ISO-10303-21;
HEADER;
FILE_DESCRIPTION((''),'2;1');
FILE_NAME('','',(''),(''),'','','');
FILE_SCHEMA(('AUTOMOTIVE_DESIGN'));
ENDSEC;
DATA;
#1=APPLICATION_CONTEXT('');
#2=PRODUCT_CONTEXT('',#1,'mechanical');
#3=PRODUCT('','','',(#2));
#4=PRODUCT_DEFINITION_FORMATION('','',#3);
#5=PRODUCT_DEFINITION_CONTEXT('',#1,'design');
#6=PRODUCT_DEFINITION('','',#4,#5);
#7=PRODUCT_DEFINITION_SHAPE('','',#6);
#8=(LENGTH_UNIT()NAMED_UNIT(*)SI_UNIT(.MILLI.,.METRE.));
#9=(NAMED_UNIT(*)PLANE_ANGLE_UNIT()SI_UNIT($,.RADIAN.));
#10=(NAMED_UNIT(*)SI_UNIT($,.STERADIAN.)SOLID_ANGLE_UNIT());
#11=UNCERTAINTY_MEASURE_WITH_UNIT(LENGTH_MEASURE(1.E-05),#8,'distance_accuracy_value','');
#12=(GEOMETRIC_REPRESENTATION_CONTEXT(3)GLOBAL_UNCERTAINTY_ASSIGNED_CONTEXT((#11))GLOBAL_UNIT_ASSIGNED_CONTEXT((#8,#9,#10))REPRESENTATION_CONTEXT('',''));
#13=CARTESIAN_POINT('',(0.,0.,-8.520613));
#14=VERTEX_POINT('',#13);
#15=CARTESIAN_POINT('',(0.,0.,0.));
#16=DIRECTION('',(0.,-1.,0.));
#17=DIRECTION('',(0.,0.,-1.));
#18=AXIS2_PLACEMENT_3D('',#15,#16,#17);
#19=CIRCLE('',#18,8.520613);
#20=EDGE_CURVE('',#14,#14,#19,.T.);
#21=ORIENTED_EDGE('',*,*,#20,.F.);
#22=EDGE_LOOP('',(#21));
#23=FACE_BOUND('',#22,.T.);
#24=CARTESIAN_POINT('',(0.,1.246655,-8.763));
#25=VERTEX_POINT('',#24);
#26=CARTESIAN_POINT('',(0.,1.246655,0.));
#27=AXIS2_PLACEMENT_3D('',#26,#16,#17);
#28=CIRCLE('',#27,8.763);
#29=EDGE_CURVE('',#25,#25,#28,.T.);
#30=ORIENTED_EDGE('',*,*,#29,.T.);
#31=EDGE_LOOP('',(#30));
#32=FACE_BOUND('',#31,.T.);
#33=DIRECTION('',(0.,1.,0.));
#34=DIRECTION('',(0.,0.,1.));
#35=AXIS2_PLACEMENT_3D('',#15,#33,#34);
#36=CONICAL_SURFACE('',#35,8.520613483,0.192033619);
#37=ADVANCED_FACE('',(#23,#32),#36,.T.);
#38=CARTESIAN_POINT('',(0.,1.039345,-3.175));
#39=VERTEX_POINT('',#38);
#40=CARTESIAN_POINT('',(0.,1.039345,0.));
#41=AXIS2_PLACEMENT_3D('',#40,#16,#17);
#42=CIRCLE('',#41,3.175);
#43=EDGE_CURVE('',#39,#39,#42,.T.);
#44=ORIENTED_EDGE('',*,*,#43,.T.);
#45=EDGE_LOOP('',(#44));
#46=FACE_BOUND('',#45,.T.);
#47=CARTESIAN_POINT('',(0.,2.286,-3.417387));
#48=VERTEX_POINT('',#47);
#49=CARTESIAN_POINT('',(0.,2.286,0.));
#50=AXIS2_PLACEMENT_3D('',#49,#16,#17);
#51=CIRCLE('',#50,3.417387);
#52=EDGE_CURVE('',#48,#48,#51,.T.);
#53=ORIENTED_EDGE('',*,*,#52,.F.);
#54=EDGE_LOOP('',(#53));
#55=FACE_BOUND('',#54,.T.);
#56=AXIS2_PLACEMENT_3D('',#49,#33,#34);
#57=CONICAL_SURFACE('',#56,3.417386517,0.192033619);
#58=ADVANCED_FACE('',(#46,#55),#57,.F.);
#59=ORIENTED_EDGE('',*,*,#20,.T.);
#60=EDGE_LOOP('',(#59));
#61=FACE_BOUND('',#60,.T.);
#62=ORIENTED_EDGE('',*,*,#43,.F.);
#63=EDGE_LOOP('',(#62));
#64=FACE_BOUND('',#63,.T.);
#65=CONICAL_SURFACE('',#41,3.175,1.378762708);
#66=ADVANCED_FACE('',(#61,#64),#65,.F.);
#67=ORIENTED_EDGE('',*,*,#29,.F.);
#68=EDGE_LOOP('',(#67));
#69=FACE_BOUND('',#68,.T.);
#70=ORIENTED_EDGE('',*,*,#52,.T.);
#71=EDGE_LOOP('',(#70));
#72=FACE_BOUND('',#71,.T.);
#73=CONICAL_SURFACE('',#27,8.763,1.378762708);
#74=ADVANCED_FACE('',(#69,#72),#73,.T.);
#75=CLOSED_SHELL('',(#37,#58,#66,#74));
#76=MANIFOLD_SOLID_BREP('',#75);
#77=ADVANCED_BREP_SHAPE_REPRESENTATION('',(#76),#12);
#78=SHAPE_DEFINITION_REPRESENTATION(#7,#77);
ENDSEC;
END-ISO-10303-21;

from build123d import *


with BuildPart() as part:
    # Sketch1 → Revolve1 (revolve)
    with BuildSketch(Plane.XY, mode=Mode.PRIVATE) as revolve1_sk:
        Polygon((8.520613483, 0), (3.175, 1.039344965), (3.417386517, 2.286), (8.763, 1.246655035), align=None)
    revolve(revolve1_sk.sketch.rotate(Axis((0, 0, 0), (0, 1, 0)), 90), axis=Axis((0, 0, 0), (0, 1, 0)))


solid = part.part
